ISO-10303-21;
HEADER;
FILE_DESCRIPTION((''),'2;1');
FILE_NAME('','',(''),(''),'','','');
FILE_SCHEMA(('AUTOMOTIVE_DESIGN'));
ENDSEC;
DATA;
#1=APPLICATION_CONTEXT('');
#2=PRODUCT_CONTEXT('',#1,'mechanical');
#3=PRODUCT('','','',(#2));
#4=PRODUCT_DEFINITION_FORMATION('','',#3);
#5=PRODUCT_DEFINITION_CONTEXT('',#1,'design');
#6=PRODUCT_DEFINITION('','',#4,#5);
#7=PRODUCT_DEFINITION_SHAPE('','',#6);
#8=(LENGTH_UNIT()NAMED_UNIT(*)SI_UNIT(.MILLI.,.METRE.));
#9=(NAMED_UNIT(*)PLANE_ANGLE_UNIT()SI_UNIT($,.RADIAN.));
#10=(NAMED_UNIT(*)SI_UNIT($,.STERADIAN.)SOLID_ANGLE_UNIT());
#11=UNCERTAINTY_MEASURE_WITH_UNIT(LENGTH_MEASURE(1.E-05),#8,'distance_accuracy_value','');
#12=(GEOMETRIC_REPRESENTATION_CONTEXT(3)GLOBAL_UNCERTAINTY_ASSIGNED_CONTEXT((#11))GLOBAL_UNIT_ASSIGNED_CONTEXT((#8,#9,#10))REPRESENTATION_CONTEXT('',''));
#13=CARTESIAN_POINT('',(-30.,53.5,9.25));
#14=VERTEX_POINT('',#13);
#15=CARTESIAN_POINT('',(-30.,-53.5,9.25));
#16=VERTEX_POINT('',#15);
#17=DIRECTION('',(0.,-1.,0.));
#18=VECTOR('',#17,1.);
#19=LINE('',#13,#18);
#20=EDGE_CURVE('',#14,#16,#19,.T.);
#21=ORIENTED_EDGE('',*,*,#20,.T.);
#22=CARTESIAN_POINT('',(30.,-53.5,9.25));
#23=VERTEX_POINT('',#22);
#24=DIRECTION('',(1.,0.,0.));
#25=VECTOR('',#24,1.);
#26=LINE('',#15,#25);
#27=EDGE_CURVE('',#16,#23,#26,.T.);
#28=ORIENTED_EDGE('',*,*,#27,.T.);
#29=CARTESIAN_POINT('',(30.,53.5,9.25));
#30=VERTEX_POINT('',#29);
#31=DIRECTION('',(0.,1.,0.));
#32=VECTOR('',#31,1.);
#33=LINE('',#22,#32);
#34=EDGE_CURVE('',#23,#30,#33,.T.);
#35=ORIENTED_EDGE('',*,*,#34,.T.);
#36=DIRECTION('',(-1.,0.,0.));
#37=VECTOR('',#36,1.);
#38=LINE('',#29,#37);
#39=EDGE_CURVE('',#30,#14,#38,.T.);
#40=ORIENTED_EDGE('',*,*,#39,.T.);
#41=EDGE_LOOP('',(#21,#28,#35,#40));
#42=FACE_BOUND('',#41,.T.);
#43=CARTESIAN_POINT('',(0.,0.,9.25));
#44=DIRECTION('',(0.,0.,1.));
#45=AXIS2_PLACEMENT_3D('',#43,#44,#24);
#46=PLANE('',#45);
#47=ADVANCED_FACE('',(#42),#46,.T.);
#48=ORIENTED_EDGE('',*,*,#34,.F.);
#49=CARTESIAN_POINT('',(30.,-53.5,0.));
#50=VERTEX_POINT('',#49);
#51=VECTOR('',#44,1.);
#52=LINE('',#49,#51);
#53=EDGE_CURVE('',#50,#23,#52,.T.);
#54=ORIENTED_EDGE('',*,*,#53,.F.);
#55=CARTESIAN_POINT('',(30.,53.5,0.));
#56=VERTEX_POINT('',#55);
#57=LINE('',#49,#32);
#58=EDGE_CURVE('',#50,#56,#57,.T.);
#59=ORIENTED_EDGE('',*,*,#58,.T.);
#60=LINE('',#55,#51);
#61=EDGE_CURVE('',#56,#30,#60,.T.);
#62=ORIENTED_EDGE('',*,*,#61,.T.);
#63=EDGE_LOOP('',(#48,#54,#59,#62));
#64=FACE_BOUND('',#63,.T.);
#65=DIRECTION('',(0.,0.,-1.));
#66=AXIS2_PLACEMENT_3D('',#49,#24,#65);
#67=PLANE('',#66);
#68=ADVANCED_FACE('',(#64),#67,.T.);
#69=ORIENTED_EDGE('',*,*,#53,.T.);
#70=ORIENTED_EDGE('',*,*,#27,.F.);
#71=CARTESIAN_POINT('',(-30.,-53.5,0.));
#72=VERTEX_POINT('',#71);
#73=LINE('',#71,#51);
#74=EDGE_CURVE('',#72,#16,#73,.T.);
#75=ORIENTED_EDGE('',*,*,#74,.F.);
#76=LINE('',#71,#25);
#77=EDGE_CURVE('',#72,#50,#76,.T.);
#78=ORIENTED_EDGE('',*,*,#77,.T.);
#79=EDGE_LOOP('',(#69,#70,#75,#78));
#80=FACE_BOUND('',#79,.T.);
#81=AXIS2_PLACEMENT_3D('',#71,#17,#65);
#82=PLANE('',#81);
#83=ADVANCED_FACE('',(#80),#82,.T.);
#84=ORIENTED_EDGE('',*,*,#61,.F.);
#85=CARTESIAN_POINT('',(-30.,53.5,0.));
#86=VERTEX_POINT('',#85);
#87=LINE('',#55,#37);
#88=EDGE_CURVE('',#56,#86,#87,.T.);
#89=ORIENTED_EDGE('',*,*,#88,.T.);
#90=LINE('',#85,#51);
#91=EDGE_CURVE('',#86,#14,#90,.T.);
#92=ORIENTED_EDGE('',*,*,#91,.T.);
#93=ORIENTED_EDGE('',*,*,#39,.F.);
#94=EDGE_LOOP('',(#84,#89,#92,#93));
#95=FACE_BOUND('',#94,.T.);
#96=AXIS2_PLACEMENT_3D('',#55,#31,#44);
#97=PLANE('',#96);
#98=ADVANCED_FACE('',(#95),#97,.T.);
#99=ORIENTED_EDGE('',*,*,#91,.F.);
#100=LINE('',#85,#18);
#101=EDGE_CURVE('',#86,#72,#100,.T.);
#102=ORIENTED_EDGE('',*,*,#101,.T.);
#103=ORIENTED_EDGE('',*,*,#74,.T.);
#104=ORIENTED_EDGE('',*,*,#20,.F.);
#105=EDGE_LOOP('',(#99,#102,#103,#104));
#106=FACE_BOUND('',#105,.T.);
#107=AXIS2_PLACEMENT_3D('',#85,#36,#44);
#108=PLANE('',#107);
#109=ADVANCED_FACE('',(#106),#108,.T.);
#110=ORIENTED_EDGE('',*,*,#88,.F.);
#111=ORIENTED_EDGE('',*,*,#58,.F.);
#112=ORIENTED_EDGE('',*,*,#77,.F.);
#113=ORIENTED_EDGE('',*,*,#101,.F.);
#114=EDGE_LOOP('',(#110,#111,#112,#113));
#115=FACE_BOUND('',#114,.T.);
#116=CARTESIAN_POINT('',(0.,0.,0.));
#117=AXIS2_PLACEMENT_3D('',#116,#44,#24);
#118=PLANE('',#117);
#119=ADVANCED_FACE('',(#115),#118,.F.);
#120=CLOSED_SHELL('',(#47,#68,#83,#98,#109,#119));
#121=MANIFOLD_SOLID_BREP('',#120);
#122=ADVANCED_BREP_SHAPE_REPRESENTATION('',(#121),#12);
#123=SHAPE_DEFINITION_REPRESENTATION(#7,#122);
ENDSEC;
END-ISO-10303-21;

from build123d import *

# Parameters (mm, degrees)
SKETCH1_W           = 60
SKETCH1_H           = 107
BOSS_EXTRUDE1_DEPTH = 9.25


with BuildPart() as part:
    # Sketch1 → Boss-Extrude1 (new body)
    with BuildSketch(Plane.XY.offset(9.25)):
        Rectangle(SKETCH1_W, SKETCH1_H)
    extrude(amount=-BOSS_EXTRUDE1_DEPTH)


solid = part.part
